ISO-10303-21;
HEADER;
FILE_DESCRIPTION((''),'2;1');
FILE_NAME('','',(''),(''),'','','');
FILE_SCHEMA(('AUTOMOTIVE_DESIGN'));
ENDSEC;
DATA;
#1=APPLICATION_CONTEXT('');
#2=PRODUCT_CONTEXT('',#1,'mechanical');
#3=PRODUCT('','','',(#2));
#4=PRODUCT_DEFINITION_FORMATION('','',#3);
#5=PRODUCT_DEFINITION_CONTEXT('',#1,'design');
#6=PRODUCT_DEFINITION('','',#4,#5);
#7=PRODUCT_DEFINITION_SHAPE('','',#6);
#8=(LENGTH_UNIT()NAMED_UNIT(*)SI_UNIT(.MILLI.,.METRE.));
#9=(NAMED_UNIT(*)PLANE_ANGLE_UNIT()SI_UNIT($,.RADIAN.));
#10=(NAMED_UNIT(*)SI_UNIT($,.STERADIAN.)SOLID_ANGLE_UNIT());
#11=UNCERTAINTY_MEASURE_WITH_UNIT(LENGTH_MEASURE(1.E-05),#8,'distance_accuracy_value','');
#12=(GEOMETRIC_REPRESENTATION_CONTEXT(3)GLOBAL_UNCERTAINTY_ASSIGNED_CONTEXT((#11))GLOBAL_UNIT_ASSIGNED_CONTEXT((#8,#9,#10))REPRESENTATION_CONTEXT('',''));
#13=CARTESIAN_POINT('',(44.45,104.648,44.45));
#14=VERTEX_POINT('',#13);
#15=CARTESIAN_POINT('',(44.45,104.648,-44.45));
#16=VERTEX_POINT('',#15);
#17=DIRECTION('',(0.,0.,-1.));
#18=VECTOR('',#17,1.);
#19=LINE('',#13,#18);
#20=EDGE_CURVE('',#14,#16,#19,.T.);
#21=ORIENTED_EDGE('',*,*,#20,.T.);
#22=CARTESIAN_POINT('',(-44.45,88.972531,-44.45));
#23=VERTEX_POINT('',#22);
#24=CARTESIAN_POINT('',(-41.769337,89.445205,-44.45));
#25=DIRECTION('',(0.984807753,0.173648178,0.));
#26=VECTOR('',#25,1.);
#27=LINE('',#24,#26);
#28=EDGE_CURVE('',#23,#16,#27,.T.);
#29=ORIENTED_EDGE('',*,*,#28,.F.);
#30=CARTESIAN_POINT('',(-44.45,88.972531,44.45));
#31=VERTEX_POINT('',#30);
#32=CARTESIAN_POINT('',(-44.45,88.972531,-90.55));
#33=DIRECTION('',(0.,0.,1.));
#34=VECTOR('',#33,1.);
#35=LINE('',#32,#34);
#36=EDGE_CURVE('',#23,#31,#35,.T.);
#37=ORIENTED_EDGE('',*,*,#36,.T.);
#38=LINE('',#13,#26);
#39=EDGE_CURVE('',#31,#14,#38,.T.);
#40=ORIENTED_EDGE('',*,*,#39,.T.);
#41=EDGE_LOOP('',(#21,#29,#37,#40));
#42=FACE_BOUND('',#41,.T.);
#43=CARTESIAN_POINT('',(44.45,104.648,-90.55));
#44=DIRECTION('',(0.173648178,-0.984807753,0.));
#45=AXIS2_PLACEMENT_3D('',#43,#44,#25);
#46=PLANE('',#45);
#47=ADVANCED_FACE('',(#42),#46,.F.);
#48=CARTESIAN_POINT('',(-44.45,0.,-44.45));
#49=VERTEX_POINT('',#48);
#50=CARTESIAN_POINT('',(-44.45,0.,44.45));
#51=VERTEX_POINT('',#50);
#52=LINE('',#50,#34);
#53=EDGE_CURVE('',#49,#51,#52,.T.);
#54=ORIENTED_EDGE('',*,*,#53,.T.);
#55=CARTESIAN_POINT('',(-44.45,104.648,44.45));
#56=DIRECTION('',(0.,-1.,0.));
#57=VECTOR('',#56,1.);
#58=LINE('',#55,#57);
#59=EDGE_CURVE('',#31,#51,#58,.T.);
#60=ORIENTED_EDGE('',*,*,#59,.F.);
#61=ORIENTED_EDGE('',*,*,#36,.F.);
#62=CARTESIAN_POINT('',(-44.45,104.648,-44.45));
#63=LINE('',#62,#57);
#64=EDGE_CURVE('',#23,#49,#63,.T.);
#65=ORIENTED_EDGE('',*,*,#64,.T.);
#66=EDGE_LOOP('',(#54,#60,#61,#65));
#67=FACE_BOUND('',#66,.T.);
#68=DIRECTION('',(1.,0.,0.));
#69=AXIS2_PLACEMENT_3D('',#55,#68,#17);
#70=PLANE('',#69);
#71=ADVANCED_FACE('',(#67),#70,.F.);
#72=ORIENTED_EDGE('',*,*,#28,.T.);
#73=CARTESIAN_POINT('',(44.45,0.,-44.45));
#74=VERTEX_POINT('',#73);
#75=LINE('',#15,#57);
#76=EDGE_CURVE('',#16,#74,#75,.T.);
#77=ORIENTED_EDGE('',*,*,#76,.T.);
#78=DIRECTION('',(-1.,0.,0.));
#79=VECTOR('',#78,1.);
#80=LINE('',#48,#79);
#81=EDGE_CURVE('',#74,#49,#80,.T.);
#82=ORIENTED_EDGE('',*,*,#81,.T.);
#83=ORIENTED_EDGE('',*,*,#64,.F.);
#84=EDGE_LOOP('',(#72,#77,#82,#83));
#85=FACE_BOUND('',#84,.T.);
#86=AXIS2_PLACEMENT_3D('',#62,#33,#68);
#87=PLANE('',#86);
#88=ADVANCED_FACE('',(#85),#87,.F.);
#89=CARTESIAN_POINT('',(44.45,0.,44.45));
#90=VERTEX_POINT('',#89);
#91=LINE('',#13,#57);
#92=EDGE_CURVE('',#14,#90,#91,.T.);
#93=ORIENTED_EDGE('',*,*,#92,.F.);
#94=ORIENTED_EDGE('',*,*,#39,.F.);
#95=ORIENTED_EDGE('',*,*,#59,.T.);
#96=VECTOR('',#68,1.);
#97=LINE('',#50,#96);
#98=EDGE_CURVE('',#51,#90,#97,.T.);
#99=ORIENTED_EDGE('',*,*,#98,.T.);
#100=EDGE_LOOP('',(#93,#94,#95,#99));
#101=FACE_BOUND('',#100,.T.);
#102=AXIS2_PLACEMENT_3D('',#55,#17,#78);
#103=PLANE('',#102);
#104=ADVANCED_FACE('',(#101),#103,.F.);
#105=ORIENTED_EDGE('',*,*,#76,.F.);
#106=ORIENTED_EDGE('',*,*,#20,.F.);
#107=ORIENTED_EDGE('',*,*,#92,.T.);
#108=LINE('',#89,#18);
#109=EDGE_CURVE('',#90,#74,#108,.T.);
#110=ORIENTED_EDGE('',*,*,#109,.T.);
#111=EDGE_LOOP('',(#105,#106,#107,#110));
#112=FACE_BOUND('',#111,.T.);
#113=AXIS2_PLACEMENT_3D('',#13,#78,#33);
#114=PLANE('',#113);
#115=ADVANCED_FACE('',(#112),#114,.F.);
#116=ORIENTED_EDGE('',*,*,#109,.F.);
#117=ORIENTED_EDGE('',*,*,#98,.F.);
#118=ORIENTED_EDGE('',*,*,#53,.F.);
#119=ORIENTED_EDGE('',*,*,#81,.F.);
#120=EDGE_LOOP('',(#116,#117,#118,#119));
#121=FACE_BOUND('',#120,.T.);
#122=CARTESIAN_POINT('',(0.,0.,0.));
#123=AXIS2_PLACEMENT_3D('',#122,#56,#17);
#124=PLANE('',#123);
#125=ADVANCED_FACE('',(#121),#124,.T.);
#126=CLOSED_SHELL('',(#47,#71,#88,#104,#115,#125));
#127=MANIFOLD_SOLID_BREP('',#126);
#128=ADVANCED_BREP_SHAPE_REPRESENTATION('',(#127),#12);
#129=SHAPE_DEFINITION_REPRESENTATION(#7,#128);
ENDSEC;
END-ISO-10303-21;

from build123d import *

# Parameters (mm, degrees)
SKETCH1_W           = 88.9
SKETCH1_H           = 88.9
BOSS_EXTRUDE1_DEPTH = 104.648
CUT_EXTRUDE1_DEPTH  = 135


with BuildPart() as part:
    # Sketch1 → Boss-Extrude1 (new body)
    with BuildSketch(Plane(origin=(0, 0, 0), x_dir=(1, 0, 0), z_dir=(0, 1, 0))):
        Rectangle(SKETCH1_W, SKETCH1_H)
    extrude(amount=BOSS_EXTRUDE1_DEPTH)

    # Sketch2 → Cut-Extrude1 (cut)
    with BuildSketch(Plane.XY.offset(44.45)):
        Polygon((44.45, 104.648), (-44.45, 88.972531415), (-44.45, 104.648), align=None)
    extrude(amount=-CUT_EXTRUDE1_DEPTH, mode=Mode.SUBTRACT)


solid = part.part
